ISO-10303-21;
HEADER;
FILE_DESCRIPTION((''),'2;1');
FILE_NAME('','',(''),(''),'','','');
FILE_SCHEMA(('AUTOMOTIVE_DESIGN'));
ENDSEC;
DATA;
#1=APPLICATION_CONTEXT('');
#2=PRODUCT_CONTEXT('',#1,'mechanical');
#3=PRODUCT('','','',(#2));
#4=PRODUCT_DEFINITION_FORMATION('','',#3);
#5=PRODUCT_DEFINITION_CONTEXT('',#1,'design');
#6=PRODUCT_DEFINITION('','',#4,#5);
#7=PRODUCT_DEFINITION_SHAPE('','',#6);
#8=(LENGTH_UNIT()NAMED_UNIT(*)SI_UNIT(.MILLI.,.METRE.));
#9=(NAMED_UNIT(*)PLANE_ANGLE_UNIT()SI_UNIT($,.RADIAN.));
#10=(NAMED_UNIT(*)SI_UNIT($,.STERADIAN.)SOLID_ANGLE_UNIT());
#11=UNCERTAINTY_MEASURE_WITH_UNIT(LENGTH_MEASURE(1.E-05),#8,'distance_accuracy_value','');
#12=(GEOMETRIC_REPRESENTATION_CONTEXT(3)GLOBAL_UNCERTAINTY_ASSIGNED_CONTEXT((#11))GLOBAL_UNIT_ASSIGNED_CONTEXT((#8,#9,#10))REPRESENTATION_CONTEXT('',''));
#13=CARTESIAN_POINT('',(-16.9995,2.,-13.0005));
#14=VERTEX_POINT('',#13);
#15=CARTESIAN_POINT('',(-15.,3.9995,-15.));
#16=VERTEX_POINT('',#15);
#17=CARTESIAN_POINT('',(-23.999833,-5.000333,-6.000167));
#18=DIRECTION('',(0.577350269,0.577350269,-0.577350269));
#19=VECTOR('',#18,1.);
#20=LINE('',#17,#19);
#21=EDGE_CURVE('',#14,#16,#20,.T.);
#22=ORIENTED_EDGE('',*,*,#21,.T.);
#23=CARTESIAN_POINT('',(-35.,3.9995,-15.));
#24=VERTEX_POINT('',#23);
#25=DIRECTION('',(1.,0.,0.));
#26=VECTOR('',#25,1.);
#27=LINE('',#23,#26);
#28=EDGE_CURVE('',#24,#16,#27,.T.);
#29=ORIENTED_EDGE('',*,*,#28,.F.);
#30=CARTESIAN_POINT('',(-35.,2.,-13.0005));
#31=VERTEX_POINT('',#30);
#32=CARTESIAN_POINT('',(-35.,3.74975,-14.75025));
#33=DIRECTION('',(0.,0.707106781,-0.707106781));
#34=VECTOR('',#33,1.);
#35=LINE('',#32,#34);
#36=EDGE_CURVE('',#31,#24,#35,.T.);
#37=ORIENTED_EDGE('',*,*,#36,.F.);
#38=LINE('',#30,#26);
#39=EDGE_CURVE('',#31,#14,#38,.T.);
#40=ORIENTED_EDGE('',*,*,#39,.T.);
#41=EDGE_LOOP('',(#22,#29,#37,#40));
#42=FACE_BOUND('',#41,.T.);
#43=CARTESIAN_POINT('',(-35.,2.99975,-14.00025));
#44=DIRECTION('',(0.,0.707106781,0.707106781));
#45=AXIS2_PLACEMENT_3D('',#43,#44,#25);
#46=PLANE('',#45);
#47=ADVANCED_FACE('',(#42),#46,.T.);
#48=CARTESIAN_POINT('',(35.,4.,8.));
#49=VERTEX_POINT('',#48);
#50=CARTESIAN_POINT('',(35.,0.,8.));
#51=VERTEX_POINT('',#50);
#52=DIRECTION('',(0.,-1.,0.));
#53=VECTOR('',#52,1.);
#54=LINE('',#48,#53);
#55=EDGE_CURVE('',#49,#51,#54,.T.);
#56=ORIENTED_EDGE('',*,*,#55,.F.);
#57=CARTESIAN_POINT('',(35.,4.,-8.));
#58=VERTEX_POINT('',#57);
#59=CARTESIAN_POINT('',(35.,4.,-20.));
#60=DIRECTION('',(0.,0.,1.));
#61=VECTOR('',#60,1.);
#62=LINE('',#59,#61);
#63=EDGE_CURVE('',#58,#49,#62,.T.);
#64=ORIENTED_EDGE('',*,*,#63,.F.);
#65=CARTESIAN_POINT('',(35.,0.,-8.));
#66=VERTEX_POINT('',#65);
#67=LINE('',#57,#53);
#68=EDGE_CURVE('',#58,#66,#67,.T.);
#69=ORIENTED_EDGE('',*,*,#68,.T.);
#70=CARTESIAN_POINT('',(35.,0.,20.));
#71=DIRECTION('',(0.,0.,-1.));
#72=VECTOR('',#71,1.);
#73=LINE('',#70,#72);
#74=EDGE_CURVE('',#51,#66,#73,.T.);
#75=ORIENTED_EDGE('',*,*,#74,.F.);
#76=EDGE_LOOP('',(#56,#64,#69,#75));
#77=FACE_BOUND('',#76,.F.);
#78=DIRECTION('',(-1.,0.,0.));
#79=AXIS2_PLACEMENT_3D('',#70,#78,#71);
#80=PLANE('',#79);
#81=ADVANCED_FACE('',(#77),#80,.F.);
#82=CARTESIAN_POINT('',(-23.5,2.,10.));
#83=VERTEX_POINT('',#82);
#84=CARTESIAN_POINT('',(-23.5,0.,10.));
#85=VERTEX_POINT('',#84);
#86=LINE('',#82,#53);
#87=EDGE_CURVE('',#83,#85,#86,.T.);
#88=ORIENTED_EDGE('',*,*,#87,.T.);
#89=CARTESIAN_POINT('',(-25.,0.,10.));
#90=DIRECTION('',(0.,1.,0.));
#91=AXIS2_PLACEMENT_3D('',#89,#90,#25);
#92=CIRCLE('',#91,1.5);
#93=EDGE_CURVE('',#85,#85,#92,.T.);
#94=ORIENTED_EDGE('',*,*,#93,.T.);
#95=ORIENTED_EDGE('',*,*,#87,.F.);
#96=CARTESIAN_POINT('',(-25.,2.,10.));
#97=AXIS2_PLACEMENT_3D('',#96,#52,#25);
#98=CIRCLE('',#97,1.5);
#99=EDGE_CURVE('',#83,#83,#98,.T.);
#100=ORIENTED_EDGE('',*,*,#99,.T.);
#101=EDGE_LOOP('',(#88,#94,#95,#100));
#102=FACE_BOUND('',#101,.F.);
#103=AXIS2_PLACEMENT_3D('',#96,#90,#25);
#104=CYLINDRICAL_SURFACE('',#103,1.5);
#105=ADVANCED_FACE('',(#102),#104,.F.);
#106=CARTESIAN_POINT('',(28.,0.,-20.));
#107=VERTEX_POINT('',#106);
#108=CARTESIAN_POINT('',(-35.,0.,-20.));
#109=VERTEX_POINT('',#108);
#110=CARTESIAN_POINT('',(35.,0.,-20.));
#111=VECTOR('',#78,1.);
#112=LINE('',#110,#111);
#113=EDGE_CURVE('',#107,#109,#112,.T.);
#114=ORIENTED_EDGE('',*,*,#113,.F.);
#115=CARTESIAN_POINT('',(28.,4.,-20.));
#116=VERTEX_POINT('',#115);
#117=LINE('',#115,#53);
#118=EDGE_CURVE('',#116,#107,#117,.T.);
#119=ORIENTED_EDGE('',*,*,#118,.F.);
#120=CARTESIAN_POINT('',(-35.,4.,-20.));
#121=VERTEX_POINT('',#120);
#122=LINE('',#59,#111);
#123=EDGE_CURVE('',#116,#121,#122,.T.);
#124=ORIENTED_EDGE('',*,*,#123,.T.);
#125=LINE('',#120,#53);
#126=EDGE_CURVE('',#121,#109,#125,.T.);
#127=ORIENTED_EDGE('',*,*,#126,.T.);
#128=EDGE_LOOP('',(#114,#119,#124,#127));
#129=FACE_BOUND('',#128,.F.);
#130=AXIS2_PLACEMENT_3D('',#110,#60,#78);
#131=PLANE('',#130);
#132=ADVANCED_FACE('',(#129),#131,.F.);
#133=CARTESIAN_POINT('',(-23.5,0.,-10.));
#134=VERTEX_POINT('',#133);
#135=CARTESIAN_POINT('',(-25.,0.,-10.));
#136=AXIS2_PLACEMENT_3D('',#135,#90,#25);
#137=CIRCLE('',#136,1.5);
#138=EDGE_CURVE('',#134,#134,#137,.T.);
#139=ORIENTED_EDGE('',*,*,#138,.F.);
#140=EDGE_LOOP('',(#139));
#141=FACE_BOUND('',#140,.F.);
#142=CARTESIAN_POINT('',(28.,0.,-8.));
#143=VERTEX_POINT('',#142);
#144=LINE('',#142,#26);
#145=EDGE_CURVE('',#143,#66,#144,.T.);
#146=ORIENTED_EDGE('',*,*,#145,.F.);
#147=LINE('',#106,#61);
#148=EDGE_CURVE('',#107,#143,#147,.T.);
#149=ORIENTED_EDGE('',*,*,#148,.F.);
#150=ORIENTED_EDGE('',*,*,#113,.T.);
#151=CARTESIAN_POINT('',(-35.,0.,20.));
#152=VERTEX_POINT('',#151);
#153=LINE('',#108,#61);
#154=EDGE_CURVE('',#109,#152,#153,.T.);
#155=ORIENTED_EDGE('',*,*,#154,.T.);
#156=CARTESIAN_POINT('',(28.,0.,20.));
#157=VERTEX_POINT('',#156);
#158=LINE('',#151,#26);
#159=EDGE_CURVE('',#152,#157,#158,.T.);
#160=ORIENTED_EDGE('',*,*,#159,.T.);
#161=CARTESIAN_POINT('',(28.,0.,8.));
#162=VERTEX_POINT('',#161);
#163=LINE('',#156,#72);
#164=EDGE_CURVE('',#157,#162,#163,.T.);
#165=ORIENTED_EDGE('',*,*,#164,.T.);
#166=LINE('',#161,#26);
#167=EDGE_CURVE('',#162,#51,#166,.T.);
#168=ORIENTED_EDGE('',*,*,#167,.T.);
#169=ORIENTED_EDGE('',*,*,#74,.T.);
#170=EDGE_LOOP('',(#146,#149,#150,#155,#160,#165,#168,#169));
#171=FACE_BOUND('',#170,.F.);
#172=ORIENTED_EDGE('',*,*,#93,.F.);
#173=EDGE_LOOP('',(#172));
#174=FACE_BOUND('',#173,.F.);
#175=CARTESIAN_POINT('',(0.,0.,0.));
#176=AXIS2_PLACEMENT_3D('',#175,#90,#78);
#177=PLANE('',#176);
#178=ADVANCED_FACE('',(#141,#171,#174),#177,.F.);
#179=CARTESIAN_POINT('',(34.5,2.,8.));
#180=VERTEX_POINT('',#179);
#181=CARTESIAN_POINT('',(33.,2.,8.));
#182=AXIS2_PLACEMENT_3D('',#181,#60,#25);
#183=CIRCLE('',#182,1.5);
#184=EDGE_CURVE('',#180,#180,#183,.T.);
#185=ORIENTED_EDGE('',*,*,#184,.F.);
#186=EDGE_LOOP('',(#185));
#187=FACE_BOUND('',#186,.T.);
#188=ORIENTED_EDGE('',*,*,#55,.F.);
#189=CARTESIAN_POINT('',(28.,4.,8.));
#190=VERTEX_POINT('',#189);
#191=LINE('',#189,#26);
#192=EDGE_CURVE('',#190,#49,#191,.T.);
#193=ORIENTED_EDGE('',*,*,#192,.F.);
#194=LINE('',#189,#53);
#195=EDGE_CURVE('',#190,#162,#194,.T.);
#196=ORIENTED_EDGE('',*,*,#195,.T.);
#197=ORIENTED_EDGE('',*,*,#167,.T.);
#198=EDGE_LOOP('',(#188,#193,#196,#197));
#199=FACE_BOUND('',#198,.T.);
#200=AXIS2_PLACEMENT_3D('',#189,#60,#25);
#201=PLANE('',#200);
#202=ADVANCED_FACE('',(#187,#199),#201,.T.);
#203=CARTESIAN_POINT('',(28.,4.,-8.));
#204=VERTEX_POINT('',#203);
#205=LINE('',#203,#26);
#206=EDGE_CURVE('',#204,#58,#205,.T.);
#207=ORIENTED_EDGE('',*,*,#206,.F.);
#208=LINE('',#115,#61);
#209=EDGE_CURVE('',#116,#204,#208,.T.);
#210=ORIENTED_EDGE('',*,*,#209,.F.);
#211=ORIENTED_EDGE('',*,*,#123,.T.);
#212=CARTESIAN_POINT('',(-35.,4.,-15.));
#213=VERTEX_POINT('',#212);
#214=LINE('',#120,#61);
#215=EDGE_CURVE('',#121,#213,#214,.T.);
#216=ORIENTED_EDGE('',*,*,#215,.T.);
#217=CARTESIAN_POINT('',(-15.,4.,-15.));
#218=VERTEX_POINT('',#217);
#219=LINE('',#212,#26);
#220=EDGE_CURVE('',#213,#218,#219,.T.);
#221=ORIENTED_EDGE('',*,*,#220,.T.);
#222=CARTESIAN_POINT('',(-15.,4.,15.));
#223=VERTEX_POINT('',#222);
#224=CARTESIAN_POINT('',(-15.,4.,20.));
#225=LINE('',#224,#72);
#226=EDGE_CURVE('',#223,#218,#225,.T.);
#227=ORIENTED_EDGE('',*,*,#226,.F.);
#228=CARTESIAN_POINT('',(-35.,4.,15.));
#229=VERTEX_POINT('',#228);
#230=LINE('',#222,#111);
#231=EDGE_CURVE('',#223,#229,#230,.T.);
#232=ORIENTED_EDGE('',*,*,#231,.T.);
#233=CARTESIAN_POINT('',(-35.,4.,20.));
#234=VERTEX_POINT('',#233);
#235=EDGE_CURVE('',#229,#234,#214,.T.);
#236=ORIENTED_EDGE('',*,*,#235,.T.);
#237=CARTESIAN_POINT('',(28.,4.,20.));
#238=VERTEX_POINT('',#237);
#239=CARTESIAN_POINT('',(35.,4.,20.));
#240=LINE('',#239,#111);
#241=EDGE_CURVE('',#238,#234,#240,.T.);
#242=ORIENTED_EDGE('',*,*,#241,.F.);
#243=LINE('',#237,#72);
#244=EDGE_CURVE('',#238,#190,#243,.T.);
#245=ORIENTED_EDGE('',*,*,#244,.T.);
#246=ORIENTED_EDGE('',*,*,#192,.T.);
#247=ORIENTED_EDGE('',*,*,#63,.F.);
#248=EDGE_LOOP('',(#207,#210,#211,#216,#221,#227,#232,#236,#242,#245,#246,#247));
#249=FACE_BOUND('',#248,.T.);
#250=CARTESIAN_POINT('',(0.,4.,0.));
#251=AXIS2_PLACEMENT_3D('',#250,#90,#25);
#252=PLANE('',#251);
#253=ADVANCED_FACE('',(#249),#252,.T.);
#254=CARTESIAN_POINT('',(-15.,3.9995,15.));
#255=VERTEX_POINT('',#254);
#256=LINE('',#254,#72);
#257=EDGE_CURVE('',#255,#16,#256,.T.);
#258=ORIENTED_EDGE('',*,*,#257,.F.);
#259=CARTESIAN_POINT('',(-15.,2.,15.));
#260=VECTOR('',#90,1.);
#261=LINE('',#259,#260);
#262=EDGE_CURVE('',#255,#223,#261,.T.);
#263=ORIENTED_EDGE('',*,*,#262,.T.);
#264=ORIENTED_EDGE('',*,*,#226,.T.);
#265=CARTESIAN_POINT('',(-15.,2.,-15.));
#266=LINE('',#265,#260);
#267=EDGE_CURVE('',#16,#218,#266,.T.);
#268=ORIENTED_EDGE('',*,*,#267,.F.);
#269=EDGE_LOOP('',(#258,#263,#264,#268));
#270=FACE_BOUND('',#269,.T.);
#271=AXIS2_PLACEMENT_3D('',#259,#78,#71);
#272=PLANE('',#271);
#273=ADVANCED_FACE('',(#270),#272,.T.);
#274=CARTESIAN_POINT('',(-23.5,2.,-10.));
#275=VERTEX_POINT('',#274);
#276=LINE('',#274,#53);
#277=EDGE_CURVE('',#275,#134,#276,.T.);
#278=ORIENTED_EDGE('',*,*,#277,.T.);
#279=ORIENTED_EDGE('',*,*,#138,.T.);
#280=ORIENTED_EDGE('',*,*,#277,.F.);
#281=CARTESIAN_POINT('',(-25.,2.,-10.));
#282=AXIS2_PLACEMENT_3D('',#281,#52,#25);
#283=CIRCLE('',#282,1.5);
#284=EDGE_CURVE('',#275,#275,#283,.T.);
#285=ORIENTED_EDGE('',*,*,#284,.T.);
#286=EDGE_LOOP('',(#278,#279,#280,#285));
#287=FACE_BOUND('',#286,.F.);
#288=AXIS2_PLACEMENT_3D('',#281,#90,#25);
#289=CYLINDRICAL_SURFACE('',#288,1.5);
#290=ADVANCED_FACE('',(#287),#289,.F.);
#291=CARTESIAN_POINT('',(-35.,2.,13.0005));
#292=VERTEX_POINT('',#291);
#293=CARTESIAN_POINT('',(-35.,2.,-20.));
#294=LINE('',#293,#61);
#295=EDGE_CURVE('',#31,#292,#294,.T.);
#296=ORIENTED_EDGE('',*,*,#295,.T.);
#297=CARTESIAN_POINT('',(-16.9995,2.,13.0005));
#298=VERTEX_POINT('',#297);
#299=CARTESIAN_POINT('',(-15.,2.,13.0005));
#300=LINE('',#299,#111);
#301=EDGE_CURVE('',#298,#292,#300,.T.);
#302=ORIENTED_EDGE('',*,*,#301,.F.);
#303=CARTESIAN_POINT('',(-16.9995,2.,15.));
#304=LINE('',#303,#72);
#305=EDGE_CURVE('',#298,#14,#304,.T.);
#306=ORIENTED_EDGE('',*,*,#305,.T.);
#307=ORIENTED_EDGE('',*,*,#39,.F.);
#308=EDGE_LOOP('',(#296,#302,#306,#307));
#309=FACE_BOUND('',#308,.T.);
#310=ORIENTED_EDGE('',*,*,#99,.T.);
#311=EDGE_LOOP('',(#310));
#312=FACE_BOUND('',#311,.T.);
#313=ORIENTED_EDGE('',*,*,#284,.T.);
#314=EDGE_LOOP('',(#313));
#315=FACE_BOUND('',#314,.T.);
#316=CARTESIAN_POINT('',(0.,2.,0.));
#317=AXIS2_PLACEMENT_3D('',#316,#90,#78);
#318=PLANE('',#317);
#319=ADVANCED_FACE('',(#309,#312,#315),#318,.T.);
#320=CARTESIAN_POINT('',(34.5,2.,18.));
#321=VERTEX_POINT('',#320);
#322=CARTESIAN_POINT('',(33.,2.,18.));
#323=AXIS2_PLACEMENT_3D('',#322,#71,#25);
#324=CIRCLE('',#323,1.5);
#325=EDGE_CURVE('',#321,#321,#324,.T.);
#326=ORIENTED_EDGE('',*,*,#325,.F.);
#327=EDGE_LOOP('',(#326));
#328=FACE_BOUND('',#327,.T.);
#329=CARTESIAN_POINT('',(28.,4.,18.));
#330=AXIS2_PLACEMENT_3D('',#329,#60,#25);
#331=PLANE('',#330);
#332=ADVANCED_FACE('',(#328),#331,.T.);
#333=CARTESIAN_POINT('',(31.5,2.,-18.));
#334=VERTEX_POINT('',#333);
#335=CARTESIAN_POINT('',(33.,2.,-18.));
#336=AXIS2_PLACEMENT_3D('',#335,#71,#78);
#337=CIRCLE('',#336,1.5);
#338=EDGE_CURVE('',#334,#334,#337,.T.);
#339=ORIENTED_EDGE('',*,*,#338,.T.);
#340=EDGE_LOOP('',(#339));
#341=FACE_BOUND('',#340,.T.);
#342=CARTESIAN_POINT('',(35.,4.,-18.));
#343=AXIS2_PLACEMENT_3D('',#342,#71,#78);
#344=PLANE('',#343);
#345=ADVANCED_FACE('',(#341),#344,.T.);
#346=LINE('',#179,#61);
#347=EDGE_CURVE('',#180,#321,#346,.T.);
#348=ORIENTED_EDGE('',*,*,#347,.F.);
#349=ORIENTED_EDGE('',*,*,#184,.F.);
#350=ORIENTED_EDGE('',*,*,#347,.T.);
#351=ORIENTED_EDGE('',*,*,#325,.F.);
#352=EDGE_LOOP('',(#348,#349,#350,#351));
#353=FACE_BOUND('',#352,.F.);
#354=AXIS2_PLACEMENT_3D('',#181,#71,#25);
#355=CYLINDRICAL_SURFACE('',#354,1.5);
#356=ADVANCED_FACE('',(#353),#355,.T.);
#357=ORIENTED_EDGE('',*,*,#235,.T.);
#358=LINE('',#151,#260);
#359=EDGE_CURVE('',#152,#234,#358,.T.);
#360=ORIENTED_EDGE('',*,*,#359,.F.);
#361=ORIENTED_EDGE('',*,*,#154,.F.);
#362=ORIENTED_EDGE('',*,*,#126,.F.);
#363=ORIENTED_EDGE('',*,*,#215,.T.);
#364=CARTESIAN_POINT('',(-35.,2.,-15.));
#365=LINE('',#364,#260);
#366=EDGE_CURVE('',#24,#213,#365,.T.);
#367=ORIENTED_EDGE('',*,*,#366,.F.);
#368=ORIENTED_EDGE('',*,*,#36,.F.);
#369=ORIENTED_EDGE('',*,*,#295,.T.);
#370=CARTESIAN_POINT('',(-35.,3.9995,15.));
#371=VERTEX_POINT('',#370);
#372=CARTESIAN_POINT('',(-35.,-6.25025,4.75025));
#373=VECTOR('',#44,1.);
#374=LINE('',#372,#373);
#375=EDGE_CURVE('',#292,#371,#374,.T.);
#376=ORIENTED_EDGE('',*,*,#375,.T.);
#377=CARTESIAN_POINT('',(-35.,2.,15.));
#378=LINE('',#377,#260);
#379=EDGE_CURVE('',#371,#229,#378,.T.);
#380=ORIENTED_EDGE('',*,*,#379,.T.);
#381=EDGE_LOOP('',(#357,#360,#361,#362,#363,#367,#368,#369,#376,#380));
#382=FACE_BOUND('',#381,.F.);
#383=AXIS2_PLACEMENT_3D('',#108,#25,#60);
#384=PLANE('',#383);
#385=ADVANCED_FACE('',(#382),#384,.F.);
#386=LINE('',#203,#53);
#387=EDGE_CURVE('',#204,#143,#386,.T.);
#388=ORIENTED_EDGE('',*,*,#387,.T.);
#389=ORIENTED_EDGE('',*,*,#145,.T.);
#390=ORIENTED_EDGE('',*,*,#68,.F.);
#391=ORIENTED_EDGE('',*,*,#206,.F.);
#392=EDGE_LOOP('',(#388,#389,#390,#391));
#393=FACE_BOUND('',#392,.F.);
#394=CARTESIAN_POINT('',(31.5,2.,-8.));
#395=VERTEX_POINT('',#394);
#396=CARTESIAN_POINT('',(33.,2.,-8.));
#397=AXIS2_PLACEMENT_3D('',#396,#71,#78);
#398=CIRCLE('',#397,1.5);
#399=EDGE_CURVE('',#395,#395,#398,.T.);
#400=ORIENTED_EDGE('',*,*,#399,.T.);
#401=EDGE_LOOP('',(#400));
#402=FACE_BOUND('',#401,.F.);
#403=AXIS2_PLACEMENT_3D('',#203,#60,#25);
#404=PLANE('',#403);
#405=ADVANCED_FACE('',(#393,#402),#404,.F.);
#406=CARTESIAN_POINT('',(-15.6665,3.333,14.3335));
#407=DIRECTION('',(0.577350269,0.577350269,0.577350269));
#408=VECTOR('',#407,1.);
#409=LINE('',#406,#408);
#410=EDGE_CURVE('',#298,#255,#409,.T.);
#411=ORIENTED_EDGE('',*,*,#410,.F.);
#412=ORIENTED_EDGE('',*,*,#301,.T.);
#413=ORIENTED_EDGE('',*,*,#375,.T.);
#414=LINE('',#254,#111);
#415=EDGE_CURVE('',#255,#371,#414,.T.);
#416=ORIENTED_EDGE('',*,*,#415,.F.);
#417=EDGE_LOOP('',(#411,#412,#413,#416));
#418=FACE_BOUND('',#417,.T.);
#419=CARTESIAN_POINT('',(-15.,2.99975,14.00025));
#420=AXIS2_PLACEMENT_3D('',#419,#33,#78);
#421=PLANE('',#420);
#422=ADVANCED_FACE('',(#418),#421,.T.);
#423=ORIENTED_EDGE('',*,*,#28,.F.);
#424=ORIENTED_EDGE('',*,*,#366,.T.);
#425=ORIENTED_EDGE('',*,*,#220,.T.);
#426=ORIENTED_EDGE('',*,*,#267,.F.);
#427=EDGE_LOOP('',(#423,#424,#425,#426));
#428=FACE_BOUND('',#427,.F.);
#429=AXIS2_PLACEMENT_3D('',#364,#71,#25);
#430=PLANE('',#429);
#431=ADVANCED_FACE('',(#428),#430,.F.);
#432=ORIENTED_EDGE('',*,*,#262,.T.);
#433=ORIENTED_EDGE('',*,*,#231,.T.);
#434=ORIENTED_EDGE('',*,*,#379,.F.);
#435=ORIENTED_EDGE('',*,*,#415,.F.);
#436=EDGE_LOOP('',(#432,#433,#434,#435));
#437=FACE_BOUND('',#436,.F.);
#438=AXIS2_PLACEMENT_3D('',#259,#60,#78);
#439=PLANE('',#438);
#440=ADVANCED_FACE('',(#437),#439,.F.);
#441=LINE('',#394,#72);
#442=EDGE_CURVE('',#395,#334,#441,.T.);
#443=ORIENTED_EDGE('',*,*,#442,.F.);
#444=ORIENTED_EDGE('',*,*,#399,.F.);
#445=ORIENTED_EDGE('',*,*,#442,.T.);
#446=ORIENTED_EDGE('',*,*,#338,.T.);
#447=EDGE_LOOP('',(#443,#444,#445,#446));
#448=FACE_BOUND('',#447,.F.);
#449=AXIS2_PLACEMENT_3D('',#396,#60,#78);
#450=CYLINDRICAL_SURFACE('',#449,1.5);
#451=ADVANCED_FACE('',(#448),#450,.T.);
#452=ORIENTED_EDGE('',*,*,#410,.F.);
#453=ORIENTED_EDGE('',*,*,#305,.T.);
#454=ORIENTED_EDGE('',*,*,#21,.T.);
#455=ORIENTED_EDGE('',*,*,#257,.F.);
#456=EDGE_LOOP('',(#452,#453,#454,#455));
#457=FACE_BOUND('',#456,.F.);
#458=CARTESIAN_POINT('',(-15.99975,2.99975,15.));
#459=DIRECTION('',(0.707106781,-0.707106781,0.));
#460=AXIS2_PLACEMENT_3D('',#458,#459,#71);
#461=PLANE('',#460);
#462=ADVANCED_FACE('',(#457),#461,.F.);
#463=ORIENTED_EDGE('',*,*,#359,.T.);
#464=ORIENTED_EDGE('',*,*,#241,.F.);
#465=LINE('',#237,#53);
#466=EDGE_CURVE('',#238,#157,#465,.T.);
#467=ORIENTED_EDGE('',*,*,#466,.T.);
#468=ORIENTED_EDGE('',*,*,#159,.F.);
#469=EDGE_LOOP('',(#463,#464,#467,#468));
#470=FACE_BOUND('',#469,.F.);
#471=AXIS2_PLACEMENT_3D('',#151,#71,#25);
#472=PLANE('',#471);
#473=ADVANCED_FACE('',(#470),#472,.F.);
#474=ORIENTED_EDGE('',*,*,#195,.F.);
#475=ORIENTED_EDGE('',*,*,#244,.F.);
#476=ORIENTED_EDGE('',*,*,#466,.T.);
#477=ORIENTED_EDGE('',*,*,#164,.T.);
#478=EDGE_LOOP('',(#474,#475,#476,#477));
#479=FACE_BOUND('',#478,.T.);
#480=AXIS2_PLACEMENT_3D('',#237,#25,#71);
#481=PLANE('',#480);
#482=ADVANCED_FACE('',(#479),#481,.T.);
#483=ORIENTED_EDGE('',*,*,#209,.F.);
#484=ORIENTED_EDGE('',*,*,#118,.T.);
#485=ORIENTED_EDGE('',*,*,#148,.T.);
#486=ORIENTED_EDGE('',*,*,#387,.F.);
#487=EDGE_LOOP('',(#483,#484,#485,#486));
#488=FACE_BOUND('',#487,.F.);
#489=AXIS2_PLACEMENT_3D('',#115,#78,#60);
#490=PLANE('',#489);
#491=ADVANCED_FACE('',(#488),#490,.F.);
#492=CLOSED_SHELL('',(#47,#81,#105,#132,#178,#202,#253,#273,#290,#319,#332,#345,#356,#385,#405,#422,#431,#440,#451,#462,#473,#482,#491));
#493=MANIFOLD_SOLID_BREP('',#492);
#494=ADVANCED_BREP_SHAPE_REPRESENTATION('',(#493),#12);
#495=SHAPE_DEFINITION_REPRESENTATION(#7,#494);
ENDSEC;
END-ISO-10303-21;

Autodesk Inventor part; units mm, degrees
ref_plane "YZ Plane" through (0, 0, 0) normal (1, 0, 0) x (0, 1, 0)
ref_plane "XZ Plane" through (0, 0, 0) normal (0, 1, 0) x (-1, 0, 0)
ref_plane "XY Plane" through (0, 0, 0) normal (0, 0, 1) x (1, 0, 0)
sketch "Sketch1" plane through (0, 0, 0) normal (0, 1, 0) x (-1, 0, 0)
  point P0 (0, 0)
sketch "Sketch2" plane through (0, 0, 0) normal (0, 1, 0) x (-1, 0, 0)
  point P0 (0, 0)
sketch "Sketch3" plane through (0, 0, 0) normal (0, 1, 0) x (-1, 0, 0)
  point P0 (0, 0)
sketch "Sketch4" plane through (0, 0, 0) normal (0, 1, 0) x (-1, 0, 0)
  line L0 (35, 20) -> (-35, 20)
  line L1 (-35, 20) -> (-35, -20)
  line L2 (-35, -20) -> (35, -20)
  line L3 (35, -20) -> (35, 20)
  line L4 (35, 20) -> (-35, -20) construction
  line L5 (-35, 20) -> (35, -20) construction
  point P0 (0, 0)
  dimension "d0" = 70
  dimension "d1" = 40
extrude "Extrusion1" add sketch "Sketch4" along normal blind 2
sketch "Sketch5" plane through (0, 2, 0) normal (0, 1, 0) x (1, 0, 0)
  line L0 (-35, 20) -> (-35, -20) projected
  line L1 (-35, 0) -> (-25, 0)
  line L2 (-25, 0) -> (-25, 10)
  line L3 (-25, 10) -> (-25, -10)
  circle A0 centre (-25, -10) radius 1.5
  circle A1 centre (-25, 10) radius 1.5
  point P0 (0, 0)
  dimension "d4" = 10
  dimension "d5" = 10
  dimension "d6" = 20
  dimension "d7" = 3
  dimension "d8" = 3
extrude "Extrusion2" cut sketch "Sketch5" against normal blind 3
sketch "Sketch6" plane through (0, 2, 0) normal (0, 1, 0) x (1, 0, 0)
  line L0 (-35, -20) -> (35, -20) projected
  line L1 (35, 20) -> (-35, 20) projected
  line L2 (35, -20) -> (-15, -20)
  line L3 (-15, -20) -> (-15, 20)
  line L4 (-15, 20) -> (35, 20)
  line L5 (35, 20) -> (35, -20)
  line L6 (-35, 20) -> (-35, -20) projected
  line L7 (-15, 20) -> (-35, 20)
  line L8 (-35, 20) -> (-35, 15)
  line L9 (-35, 15) -> (-15, 15)
  line L10 (-15, 15) -> (-15, 20)
  line L11 (-35, -20) -> (-15, -20)
  line L12 (-15, -20) -> (-15, -15)
  line L13 (-15, -15) -> (-35, -15)
  line L14 (-35, -15) -> (-35, -20)
  point P0 (0, 0)
  dimension "d11" = 50
  dimension "d12" = 5
  dimension "d13" = 5
extrude "Extrusion3" add sketch "Sketch6" along normal blind 2 contours L6 L13 L3 L0 | L3 L1 L5 L0 | L6 L1 L3 L9
chamfer "Chamfer1" distance 2 angle 45 3 edges at (-25, 2, 15) (-15, 2, 0) (-25, 2, -15)
sketch "Sketch7" plane through (0, 4, 0) normal (0, 1, 0) x (1, 0, 0)
  line L0 (35, -20) -> (35, 20) projected
  line L1 (35, -20) -> (28, -20)
  line L2 (28, -20) -> (28, -8)
  line L3 (28, -8) -> (35, -8)
  line L4 (35, -8) -> (35, -20)
  line L5 (35, 20) -> (28, 20)
  line L6 (28, 20) -> (28, 8)
  line L7 (28, 8) -> (35, 8)
  line L8 (35, 8) -> (35, 20)
  point P0 (0, 0)
  dimension "d19" = 7
  dimension "d20" = 12
  dimension "d21" = 12
extrude "Extrusion4" cut sketch "Sketch7" against normal blind 4
sketch "Sketch8" plane through (28, 4, 8) normal (0, 0, 1) x (1, 0, 0)
  line L0 (7, -4) -> (7, 0) projected
  line L1 (7, 0) -> (3, -4)
  line L2 (0, -4) -> (7, -4) projected
  line L3 (7, 0) -> (12.6569, 0) construction
  circle A0 centre (5, -2) radius 1.5
  point P0 (-28, -4)
  dimension "d24" = 135
  dimension "d25" = 3
extrude "Extrusion5" add sketch "Sketch8" along normal blind 10 contours A0 L1 | L1 A0
sketch "Sketch9" plane through (35, 4, -8) normal (0, 0, -1) x (-1, 0, 0)
  circle A0 centre (2, -2) radius 1.5 projected
  circle A1 centre (2, -2) radius 1.5
  point P0 (35, -4)
extrude "Extrusion6" add sketch "Sketch9" along normal blind 10
equation "\"d9\" = d7"
properties part number "upper"
